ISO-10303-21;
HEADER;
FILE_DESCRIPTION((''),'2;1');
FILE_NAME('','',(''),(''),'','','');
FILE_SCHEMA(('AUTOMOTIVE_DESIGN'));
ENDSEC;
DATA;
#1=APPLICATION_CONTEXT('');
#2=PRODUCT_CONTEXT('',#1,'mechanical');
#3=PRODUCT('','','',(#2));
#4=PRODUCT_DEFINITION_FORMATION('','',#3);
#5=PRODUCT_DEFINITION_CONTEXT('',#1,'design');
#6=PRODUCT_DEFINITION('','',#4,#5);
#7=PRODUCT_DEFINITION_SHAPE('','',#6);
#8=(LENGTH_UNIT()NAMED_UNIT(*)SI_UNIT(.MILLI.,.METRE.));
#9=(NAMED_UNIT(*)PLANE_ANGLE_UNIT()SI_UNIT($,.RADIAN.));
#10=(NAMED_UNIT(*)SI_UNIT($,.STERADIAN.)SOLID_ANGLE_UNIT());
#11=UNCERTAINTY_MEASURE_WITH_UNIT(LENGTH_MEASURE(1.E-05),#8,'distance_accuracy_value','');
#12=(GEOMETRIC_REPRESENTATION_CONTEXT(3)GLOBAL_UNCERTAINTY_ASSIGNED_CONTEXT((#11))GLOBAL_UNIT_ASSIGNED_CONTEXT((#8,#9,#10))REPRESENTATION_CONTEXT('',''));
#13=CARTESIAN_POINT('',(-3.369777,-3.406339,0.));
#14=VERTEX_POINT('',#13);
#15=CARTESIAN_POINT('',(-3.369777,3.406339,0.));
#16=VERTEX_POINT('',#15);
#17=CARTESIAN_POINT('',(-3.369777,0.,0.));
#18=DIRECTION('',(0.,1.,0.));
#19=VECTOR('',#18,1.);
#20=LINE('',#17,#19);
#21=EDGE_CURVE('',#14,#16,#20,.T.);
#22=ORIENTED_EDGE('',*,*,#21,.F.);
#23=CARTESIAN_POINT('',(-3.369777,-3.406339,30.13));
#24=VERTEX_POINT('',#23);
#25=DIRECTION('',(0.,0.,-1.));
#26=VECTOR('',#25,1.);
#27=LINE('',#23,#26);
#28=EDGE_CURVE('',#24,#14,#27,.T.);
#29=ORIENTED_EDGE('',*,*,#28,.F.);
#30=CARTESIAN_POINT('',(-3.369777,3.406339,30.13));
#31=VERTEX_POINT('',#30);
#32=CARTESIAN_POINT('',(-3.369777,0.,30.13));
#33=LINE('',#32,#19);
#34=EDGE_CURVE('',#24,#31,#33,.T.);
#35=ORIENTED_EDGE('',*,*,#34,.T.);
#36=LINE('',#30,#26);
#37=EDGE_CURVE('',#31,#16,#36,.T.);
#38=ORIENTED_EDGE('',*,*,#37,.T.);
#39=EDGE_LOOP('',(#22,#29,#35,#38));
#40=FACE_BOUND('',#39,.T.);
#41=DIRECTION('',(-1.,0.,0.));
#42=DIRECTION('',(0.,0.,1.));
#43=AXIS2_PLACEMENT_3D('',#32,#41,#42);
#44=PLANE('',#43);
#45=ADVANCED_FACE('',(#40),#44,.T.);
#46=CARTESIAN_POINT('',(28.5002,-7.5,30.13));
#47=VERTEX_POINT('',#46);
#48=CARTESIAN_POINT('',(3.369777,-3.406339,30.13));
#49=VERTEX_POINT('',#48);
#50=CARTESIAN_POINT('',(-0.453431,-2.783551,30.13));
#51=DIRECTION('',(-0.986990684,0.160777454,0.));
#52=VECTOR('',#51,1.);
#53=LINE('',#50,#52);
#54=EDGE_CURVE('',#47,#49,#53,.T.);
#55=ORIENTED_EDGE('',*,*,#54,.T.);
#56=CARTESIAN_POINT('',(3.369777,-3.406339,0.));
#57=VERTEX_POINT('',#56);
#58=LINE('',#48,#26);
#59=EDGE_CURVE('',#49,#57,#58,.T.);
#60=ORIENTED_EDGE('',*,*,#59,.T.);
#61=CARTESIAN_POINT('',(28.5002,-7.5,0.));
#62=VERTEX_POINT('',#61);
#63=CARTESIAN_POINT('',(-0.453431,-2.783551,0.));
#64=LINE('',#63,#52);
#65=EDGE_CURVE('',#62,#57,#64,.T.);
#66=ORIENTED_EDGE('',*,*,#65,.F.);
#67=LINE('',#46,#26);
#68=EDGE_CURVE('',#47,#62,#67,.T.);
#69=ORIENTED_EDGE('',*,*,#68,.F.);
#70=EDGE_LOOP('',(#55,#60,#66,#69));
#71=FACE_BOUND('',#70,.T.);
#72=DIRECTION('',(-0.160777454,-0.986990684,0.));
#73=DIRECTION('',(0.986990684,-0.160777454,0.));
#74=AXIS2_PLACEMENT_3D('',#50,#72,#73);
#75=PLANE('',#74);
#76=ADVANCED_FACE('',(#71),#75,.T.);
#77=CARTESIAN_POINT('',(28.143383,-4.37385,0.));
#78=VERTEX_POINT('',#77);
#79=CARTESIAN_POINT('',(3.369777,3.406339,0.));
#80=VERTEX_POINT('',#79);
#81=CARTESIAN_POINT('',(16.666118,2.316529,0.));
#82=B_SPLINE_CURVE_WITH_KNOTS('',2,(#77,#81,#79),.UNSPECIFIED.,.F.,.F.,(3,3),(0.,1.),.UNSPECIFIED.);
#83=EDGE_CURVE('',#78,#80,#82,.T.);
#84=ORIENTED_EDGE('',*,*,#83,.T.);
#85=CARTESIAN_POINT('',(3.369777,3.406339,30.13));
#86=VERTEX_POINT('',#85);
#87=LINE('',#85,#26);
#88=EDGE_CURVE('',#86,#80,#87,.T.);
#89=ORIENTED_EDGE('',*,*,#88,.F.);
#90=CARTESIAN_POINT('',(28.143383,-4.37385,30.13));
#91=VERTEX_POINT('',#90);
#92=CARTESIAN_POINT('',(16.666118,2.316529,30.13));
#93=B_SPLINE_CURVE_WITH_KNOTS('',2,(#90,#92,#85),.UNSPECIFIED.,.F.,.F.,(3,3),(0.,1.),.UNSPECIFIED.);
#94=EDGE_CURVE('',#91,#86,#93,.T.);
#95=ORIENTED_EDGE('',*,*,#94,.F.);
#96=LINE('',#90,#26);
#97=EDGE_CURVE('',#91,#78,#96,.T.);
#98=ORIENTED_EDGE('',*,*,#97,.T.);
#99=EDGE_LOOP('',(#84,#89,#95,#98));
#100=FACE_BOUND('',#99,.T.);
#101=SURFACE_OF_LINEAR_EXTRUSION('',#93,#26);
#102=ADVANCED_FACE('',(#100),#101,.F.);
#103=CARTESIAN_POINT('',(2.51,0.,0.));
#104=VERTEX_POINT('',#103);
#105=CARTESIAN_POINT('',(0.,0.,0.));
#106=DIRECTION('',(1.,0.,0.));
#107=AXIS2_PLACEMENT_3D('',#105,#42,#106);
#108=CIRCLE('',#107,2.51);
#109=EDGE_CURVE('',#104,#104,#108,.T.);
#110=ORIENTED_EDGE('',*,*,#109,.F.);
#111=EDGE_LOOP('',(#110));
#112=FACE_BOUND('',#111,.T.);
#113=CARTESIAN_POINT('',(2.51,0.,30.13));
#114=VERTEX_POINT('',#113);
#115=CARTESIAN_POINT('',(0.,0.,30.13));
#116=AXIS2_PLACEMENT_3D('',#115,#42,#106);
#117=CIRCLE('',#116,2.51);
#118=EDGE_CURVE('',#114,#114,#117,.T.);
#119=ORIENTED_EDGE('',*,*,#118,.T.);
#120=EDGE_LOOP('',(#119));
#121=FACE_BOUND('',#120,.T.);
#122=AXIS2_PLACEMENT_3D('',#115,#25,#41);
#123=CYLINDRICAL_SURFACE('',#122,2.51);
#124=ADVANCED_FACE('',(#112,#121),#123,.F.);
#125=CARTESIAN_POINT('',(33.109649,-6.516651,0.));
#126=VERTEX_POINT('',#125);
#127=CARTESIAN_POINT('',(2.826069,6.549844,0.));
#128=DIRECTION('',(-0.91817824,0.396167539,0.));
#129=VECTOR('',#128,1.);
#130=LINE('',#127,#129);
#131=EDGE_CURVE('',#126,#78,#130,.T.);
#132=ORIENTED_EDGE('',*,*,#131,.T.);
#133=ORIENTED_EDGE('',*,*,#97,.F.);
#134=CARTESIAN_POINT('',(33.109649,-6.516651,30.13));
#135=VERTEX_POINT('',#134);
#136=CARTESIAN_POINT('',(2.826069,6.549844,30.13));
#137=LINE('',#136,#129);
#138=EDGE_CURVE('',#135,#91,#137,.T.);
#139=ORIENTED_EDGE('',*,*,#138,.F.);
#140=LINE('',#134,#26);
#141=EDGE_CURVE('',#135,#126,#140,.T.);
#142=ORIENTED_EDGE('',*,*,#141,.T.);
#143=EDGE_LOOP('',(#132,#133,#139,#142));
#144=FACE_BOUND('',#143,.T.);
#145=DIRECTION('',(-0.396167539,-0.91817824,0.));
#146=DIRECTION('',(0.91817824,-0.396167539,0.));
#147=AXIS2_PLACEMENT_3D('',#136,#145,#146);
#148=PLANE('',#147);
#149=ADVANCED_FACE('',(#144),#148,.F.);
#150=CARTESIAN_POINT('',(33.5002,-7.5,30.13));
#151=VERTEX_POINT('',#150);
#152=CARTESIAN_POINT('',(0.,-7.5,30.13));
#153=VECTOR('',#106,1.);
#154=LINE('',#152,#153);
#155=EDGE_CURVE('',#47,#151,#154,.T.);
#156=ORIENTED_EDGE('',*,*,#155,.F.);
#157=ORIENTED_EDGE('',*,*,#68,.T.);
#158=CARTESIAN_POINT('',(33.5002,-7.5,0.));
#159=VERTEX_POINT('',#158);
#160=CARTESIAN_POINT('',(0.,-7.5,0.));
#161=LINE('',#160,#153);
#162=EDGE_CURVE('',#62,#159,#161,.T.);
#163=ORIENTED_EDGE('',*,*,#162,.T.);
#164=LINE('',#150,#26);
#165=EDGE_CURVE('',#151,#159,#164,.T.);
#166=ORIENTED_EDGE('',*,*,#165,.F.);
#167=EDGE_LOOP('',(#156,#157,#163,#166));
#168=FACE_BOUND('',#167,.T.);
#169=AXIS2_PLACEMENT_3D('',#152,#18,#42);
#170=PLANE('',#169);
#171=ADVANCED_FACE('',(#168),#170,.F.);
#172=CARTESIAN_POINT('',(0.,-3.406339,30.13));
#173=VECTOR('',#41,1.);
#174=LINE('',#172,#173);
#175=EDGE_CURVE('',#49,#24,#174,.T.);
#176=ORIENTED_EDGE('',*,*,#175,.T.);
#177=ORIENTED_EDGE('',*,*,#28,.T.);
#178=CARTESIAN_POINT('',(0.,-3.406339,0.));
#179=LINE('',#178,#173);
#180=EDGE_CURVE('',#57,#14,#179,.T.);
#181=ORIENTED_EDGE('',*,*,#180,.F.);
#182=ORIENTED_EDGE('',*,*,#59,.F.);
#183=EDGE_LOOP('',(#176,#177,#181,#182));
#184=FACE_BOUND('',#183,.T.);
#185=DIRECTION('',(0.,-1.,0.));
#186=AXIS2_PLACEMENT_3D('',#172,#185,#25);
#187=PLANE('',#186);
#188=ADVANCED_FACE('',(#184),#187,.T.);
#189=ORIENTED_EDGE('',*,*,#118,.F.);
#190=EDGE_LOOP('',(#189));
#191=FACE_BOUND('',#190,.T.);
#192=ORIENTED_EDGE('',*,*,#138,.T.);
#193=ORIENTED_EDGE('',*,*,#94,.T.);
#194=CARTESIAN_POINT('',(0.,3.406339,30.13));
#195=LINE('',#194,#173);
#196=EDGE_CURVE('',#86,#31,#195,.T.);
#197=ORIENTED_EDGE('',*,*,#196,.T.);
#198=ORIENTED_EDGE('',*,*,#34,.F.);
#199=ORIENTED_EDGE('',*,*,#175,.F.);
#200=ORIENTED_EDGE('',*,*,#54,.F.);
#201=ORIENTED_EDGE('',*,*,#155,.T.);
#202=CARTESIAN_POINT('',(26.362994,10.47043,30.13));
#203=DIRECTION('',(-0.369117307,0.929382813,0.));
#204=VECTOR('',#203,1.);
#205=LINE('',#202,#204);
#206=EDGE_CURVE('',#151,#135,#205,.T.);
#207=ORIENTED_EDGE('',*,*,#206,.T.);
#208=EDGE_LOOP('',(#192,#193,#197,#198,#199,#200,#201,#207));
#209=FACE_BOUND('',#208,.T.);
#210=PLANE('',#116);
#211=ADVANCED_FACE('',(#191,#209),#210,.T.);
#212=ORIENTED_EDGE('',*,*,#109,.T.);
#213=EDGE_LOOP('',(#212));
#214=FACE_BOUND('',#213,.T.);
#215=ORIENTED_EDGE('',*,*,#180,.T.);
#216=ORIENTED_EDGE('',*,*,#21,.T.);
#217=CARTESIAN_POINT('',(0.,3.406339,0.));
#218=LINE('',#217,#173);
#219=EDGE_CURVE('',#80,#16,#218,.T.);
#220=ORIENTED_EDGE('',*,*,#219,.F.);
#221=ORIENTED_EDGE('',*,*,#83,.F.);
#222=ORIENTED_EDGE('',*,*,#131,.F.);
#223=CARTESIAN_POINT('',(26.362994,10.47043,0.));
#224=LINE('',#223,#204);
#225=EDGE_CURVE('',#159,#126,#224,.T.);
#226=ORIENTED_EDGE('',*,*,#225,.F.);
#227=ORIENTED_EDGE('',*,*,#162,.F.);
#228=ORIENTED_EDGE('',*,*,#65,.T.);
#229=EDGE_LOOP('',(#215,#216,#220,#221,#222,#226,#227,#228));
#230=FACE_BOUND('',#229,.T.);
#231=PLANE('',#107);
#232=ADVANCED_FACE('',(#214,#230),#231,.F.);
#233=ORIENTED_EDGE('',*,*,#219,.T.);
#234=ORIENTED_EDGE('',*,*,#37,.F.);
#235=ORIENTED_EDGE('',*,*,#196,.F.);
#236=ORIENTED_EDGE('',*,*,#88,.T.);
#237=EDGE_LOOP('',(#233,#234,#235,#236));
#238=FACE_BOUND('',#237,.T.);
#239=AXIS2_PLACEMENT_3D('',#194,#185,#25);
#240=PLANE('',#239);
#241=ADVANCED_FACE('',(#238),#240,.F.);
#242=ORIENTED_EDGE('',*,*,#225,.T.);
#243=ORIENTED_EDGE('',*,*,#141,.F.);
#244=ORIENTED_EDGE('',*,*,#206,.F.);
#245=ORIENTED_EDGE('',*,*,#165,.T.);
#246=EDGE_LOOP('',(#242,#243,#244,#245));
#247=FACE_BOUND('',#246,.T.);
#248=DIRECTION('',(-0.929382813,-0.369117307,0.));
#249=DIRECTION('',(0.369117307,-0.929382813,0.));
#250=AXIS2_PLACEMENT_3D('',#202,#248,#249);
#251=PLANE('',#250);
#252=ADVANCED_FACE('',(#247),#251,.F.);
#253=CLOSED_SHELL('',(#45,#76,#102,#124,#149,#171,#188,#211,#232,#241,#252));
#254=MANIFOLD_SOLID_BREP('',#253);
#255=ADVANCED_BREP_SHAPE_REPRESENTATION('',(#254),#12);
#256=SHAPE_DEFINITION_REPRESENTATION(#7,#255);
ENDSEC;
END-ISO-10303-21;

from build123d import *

# Parameters (mm, degrees)
SKETCH1_W           = 6.73955421
SKETCH1_H           = 6.812677774
SKETCH1_R           = 2.51
BOSS_EXTRUDE1_DEPTH = 30.13


with BuildPart() as part:
    # Sketch1 → Boss-Extrude1 (new body)
    with BuildSketch(Plane.XY):
        Rectangle(SKETCH1_W, SKETCH1_H)
        Circle(SKETCH1_R, mode=Mode.SUBTRACT)
        with BuildLine():
            add(Edge.make_bspline(
                [(28.500199806, -7.5), (3.369777105, -3.406338887)],
                knots=[0, 0, 1, 1], degree=1))
            Line((3.369777105, -3.406338887), (3.369777105, 3.406338887))
            add(Edge.make_bspline(
                [(28.143383308, -4.373850119), (16.666117653, 2.316528631), (3.369777105, 3.406338887)],
                knots=[0, 0, 0, 1, 1, 1], degree=2))
            Line((28.143383308, -4.373850119), (33.109649153, -6.51665119))
            Line((33.109649153, -6.51665119), (33.500199806, -7.5))
            Line((33.500199806, -7.5), (28.500199806, -7.5))
        make_face()
    extrude(amount=BOSS_EXTRUDE1_DEPTH)


solid = part.part
